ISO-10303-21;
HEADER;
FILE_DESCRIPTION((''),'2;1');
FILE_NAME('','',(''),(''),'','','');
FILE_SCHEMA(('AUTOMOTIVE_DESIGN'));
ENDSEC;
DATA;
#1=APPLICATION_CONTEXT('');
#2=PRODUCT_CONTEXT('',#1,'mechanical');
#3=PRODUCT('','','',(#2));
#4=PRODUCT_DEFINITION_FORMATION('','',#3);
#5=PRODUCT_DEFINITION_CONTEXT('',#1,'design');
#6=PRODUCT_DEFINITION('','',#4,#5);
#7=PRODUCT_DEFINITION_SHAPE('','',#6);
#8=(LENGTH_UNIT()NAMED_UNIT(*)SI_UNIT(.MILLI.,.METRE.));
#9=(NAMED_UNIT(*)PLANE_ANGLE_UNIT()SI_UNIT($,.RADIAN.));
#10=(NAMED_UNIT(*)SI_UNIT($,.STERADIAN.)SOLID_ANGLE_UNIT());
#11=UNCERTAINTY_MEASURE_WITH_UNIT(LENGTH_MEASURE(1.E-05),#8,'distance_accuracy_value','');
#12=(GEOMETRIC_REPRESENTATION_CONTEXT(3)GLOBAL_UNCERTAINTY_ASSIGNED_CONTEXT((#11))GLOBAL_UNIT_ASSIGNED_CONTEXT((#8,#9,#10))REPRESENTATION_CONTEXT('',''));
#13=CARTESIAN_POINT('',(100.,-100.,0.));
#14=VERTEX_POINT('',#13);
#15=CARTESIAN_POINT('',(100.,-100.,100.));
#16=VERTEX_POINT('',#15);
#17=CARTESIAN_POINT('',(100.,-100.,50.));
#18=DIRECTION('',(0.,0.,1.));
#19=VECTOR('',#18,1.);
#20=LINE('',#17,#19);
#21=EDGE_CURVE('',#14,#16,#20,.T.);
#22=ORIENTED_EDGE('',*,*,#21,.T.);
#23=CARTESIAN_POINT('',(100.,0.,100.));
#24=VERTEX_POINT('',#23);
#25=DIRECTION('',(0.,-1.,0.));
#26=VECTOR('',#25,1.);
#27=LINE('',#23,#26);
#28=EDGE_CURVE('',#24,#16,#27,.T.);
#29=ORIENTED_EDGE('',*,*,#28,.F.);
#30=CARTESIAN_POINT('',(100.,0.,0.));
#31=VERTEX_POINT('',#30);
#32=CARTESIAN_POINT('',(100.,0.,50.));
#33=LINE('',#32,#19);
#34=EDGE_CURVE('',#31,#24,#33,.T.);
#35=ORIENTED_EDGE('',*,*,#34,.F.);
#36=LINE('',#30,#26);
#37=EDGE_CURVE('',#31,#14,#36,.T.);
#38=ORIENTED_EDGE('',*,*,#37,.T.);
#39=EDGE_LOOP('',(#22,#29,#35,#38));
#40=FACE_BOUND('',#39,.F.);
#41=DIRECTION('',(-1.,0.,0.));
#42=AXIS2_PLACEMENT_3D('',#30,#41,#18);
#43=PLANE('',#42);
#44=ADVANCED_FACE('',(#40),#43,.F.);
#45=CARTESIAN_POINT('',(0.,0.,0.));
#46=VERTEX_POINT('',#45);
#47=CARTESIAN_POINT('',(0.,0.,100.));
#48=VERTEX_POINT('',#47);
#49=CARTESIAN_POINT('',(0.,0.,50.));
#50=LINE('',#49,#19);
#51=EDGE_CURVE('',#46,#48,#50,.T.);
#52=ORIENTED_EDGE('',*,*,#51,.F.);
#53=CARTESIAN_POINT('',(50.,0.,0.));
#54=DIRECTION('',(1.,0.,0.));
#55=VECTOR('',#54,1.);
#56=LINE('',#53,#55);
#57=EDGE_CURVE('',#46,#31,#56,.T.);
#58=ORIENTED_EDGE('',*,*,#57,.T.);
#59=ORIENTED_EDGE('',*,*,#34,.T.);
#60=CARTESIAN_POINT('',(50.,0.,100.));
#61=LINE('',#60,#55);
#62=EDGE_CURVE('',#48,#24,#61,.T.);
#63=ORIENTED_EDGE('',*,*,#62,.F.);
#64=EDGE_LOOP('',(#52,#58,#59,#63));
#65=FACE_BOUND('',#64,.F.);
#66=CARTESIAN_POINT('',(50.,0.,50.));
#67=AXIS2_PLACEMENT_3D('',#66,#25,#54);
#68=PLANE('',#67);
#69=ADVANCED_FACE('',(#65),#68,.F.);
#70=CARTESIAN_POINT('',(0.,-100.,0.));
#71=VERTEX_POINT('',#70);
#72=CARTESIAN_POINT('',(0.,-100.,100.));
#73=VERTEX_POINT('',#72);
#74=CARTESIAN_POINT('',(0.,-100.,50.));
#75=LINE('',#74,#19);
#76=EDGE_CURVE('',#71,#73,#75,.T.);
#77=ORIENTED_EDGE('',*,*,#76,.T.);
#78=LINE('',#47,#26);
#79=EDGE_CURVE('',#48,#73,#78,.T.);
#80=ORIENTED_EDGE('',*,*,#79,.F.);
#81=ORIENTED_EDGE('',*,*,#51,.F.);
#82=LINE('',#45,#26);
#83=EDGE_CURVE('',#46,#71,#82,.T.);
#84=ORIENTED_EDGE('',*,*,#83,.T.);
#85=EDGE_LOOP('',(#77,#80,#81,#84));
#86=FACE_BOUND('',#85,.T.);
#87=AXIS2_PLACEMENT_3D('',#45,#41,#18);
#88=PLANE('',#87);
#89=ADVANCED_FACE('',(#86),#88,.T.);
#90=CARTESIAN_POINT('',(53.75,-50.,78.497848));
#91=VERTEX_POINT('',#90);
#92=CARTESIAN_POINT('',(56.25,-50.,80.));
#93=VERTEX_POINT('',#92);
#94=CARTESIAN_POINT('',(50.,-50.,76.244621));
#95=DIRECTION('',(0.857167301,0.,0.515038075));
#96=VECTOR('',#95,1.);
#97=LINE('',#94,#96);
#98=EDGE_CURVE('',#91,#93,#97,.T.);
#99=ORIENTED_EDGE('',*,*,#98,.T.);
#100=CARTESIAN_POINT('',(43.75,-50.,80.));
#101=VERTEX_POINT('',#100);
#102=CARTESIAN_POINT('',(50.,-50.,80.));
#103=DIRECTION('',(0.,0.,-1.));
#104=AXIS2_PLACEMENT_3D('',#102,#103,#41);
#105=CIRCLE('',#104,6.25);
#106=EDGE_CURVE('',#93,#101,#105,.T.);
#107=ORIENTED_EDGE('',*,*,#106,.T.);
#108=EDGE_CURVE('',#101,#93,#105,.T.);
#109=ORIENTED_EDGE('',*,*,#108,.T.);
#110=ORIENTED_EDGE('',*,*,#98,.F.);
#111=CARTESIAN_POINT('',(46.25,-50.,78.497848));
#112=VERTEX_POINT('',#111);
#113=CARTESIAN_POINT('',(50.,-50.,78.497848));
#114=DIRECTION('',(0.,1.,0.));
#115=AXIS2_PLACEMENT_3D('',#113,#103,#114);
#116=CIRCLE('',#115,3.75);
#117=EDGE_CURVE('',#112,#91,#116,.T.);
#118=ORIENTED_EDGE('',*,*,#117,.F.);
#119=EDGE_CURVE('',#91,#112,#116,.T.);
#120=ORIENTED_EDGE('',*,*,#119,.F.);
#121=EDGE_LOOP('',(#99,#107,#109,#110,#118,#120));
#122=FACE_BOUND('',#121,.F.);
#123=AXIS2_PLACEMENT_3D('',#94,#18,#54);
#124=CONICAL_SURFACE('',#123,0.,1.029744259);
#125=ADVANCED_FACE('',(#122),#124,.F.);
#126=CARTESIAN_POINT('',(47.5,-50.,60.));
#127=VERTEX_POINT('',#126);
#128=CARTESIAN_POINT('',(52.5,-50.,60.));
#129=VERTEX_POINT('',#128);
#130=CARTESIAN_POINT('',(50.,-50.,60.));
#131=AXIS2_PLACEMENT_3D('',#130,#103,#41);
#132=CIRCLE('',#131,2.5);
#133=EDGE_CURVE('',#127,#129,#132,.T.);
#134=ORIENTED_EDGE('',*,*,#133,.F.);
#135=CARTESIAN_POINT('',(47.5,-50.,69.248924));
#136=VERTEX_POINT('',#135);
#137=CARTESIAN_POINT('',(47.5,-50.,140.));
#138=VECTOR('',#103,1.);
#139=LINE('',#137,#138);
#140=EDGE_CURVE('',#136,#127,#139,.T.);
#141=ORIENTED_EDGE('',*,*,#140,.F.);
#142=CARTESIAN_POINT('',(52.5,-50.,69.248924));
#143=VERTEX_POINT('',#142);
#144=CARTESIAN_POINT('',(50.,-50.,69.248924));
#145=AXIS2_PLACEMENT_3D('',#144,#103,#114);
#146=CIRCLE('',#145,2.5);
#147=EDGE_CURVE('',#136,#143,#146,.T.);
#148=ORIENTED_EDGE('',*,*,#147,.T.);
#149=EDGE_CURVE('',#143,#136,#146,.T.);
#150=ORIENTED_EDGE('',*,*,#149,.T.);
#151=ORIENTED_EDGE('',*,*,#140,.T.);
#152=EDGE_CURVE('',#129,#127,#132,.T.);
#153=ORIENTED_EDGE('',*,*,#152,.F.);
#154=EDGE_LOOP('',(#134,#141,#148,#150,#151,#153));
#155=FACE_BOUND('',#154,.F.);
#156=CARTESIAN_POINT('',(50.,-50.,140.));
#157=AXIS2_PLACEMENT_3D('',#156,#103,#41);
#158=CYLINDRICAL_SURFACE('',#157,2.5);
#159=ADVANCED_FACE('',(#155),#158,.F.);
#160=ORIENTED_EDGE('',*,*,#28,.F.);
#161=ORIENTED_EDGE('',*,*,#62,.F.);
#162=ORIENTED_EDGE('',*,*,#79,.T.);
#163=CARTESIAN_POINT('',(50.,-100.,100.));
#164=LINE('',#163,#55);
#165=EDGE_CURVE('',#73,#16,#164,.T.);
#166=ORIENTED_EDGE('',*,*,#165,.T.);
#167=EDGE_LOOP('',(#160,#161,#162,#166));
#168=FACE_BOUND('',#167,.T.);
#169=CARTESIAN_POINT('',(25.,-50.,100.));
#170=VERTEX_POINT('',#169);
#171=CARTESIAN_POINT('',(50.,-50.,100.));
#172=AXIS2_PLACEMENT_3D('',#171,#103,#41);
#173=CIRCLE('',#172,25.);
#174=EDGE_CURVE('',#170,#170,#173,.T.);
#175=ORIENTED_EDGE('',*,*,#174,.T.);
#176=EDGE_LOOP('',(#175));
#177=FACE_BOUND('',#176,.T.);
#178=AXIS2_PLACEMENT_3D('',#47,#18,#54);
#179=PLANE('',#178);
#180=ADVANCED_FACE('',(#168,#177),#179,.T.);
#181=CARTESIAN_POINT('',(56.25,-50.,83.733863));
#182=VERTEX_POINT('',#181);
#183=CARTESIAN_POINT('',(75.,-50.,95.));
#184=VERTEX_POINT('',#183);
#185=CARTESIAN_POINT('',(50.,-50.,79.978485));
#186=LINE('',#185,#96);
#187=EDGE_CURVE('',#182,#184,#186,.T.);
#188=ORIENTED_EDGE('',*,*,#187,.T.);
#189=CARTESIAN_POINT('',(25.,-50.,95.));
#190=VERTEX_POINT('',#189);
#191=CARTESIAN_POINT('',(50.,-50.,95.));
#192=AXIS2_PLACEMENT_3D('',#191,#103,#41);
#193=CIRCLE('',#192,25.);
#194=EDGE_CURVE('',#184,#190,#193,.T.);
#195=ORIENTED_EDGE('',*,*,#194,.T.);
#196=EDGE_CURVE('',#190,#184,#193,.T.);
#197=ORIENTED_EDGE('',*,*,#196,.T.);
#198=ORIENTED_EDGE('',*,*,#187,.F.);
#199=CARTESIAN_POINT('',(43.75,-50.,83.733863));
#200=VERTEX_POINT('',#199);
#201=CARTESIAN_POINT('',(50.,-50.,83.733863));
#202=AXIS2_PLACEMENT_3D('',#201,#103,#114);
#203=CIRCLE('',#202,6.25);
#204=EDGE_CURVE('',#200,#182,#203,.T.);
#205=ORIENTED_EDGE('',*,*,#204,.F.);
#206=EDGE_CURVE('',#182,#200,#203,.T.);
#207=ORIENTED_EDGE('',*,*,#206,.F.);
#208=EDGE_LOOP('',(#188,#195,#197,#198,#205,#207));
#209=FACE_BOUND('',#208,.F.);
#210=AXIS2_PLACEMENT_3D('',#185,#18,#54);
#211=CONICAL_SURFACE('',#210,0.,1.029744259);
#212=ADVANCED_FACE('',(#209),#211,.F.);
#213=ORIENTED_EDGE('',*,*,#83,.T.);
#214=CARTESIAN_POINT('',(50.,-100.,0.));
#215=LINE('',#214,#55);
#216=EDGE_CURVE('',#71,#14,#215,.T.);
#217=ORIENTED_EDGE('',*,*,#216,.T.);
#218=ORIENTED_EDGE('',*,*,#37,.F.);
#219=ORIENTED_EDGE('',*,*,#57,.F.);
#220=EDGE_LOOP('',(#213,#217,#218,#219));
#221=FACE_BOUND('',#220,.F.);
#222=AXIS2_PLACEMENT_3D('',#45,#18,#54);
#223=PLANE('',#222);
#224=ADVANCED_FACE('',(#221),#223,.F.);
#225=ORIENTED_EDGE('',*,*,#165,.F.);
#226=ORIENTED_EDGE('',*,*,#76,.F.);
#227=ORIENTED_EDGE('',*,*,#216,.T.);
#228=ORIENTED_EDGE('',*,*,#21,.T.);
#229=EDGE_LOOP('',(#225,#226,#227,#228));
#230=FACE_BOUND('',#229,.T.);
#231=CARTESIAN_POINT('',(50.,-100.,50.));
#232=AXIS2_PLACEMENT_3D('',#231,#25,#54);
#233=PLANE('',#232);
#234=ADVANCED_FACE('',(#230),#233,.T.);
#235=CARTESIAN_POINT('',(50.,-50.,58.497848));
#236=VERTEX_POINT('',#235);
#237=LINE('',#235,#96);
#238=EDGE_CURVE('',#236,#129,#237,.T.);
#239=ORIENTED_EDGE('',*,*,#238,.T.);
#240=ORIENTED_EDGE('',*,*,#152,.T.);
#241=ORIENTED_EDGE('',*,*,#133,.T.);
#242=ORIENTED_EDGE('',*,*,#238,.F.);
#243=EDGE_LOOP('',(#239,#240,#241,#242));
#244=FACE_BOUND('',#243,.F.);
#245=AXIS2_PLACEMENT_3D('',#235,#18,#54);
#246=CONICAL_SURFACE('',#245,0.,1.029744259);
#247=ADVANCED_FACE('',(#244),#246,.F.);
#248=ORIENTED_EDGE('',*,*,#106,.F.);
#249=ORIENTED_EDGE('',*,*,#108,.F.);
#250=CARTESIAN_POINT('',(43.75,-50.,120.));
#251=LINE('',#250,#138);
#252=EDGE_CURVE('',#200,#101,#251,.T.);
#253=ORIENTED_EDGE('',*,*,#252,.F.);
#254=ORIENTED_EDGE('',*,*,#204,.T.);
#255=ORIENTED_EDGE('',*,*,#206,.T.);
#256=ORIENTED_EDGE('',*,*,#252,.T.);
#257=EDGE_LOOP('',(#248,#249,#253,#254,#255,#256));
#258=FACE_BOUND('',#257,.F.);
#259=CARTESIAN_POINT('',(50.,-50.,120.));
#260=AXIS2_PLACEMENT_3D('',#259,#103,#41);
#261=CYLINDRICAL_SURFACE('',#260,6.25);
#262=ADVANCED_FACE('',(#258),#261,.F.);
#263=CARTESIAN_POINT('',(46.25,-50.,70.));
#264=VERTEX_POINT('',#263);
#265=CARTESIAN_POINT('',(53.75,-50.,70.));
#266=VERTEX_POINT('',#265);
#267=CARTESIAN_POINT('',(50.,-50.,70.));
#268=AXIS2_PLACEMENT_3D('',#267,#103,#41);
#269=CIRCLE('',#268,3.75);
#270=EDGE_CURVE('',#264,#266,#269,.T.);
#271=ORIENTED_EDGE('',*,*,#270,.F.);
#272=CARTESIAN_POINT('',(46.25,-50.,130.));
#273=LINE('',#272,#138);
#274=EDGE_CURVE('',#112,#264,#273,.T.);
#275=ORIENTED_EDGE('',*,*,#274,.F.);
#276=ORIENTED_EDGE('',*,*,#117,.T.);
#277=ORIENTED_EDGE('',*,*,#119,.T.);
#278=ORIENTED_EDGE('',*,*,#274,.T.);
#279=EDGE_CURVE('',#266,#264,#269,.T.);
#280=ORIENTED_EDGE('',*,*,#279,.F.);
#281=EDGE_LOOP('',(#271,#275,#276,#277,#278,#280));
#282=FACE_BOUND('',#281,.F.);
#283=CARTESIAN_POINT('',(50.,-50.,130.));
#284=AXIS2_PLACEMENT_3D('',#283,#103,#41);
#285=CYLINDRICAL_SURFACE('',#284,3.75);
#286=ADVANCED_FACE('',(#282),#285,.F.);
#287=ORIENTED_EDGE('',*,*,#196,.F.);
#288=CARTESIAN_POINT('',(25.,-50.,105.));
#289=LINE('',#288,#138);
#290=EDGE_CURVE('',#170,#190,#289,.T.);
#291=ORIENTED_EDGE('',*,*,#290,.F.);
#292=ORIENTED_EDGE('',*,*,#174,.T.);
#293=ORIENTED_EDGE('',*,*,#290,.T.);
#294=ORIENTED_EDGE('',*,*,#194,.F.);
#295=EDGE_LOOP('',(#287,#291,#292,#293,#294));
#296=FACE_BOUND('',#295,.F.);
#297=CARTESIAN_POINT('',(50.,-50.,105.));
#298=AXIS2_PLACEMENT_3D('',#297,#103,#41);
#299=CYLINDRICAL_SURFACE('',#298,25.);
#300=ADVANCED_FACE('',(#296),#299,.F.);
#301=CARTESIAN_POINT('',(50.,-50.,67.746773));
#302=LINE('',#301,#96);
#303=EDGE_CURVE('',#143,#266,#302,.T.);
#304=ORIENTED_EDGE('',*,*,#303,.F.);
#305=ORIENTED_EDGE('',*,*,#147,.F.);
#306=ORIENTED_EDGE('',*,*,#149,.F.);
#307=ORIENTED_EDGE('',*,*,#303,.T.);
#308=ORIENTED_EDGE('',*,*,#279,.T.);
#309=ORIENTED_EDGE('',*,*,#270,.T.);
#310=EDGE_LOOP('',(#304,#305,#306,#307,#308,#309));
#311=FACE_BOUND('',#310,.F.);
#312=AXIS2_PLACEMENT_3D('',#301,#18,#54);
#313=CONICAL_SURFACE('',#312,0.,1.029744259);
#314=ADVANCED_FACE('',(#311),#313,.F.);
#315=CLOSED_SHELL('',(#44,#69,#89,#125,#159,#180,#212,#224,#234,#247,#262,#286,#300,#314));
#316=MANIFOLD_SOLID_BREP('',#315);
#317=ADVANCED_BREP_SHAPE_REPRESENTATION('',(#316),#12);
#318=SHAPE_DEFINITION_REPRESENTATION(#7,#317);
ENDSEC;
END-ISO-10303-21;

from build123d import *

# Parameters (mm, degrees)
F0_W     = 100
F0_H     = 100
F1_DEPTH = 100
F3_D     = 5
F3_DEPTH = 40
F3_TIP   = 1.5021515476
F4_D     = 7.5
F4_DEPTH = 30
F4_TIP   = 2.2532273214
F5_D     = 12.5
F5_DEPTH = 20
F5_TIP   = 3.7553788689
F6_D     = 15
F6_DEPTH = 10
F6_TIP   = 4.5064546427
F7_D     = 30
F7_DEPTH = 5
F7_TIP   = 9.0129092854
F8_D     = 50
F8_DEPTH = 5
F8_TIP   = 15.0215154757


with BuildPart() as f1:
    # F0 (on Front) → F1 (new body)
    with BuildSketch(Plane.XZ):
        with Locations((50, 50)):
            Rectangle(F0_W, F0_H)
    extrude(amount=F1_DEPTH)

    # F3
    with Locations(Plane.XY.offset(100)):
        with Locations((50, -50)):
            Hole(F3_D / 2, depth=F3_DEPTH)
            with Locations((0, 0, -(F3_DEPTH + F3_TIP / 2))):  # 118° drill point
                Cone(0, F3_D / 2, F3_TIP, mode=Mode.SUBTRACT)

    # F4
    with Locations(Plane.XY.offset(100)):
        with Locations((50, -50)):
            Hole(F4_D / 2, depth=F4_DEPTH)
            with Locations((0, 0, -(F4_DEPTH + F4_TIP / 2))):  # 118° drill point
                Cone(0, F4_D / 2, F4_TIP, mode=Mode.SUBTRACT)

    # F5
    with Locations(Plane.XY.offset(100)):
        with Locations((50, -50)):
            Hole(F5_D / 2, depth=F5_DEPTH)
            with Locations((0, 0, -(F5_DEPTH + F5_TIP / 2))):  # 118° drill point
                Cone(0, F5_D / 2, F5_TIP, mode=Mode.SUBTRACT)

    # F6
    with Locations(Plane.XY.offset(100)):
        with Locations((50, -50)):
            Hole(F6_D / 2, depth=F6_DEPTH)
            with Locations((0, 0, -(F6_DEPTH + F6_TIP / 2))):  # 118° drill point
                Cone(0, F6_D / 2, F6_TIP, mode=Mode.SUBTRACT)

    # F7
    with Locations(Plane.XY.offset(100)):
        with Locations((50, -50)):
            Hole(F7_D / 2, depth=F7_DEPTH)
            with Locations((0, 0, -(F7_DEPTH + F7_TIP / 2))):  # 118° drill point
                Cone(0, F7_D / 2, F7_TIP, mode=Mode.SUBTRACT)

    # F8
    with Locations(Plane.XY.offset(100)):
        with Locations((50, -50)):
            Hole(F8_D / 2, depth=F8_DEPTH)
            with Locations((0, 0, -(F8_DEPTH + F8_TIP / 2))):  # 118° drill point
                Cone(0, F8_D / 2, F8_TIP, mode=Mode.SUBTRACT)


solid = f1.part
